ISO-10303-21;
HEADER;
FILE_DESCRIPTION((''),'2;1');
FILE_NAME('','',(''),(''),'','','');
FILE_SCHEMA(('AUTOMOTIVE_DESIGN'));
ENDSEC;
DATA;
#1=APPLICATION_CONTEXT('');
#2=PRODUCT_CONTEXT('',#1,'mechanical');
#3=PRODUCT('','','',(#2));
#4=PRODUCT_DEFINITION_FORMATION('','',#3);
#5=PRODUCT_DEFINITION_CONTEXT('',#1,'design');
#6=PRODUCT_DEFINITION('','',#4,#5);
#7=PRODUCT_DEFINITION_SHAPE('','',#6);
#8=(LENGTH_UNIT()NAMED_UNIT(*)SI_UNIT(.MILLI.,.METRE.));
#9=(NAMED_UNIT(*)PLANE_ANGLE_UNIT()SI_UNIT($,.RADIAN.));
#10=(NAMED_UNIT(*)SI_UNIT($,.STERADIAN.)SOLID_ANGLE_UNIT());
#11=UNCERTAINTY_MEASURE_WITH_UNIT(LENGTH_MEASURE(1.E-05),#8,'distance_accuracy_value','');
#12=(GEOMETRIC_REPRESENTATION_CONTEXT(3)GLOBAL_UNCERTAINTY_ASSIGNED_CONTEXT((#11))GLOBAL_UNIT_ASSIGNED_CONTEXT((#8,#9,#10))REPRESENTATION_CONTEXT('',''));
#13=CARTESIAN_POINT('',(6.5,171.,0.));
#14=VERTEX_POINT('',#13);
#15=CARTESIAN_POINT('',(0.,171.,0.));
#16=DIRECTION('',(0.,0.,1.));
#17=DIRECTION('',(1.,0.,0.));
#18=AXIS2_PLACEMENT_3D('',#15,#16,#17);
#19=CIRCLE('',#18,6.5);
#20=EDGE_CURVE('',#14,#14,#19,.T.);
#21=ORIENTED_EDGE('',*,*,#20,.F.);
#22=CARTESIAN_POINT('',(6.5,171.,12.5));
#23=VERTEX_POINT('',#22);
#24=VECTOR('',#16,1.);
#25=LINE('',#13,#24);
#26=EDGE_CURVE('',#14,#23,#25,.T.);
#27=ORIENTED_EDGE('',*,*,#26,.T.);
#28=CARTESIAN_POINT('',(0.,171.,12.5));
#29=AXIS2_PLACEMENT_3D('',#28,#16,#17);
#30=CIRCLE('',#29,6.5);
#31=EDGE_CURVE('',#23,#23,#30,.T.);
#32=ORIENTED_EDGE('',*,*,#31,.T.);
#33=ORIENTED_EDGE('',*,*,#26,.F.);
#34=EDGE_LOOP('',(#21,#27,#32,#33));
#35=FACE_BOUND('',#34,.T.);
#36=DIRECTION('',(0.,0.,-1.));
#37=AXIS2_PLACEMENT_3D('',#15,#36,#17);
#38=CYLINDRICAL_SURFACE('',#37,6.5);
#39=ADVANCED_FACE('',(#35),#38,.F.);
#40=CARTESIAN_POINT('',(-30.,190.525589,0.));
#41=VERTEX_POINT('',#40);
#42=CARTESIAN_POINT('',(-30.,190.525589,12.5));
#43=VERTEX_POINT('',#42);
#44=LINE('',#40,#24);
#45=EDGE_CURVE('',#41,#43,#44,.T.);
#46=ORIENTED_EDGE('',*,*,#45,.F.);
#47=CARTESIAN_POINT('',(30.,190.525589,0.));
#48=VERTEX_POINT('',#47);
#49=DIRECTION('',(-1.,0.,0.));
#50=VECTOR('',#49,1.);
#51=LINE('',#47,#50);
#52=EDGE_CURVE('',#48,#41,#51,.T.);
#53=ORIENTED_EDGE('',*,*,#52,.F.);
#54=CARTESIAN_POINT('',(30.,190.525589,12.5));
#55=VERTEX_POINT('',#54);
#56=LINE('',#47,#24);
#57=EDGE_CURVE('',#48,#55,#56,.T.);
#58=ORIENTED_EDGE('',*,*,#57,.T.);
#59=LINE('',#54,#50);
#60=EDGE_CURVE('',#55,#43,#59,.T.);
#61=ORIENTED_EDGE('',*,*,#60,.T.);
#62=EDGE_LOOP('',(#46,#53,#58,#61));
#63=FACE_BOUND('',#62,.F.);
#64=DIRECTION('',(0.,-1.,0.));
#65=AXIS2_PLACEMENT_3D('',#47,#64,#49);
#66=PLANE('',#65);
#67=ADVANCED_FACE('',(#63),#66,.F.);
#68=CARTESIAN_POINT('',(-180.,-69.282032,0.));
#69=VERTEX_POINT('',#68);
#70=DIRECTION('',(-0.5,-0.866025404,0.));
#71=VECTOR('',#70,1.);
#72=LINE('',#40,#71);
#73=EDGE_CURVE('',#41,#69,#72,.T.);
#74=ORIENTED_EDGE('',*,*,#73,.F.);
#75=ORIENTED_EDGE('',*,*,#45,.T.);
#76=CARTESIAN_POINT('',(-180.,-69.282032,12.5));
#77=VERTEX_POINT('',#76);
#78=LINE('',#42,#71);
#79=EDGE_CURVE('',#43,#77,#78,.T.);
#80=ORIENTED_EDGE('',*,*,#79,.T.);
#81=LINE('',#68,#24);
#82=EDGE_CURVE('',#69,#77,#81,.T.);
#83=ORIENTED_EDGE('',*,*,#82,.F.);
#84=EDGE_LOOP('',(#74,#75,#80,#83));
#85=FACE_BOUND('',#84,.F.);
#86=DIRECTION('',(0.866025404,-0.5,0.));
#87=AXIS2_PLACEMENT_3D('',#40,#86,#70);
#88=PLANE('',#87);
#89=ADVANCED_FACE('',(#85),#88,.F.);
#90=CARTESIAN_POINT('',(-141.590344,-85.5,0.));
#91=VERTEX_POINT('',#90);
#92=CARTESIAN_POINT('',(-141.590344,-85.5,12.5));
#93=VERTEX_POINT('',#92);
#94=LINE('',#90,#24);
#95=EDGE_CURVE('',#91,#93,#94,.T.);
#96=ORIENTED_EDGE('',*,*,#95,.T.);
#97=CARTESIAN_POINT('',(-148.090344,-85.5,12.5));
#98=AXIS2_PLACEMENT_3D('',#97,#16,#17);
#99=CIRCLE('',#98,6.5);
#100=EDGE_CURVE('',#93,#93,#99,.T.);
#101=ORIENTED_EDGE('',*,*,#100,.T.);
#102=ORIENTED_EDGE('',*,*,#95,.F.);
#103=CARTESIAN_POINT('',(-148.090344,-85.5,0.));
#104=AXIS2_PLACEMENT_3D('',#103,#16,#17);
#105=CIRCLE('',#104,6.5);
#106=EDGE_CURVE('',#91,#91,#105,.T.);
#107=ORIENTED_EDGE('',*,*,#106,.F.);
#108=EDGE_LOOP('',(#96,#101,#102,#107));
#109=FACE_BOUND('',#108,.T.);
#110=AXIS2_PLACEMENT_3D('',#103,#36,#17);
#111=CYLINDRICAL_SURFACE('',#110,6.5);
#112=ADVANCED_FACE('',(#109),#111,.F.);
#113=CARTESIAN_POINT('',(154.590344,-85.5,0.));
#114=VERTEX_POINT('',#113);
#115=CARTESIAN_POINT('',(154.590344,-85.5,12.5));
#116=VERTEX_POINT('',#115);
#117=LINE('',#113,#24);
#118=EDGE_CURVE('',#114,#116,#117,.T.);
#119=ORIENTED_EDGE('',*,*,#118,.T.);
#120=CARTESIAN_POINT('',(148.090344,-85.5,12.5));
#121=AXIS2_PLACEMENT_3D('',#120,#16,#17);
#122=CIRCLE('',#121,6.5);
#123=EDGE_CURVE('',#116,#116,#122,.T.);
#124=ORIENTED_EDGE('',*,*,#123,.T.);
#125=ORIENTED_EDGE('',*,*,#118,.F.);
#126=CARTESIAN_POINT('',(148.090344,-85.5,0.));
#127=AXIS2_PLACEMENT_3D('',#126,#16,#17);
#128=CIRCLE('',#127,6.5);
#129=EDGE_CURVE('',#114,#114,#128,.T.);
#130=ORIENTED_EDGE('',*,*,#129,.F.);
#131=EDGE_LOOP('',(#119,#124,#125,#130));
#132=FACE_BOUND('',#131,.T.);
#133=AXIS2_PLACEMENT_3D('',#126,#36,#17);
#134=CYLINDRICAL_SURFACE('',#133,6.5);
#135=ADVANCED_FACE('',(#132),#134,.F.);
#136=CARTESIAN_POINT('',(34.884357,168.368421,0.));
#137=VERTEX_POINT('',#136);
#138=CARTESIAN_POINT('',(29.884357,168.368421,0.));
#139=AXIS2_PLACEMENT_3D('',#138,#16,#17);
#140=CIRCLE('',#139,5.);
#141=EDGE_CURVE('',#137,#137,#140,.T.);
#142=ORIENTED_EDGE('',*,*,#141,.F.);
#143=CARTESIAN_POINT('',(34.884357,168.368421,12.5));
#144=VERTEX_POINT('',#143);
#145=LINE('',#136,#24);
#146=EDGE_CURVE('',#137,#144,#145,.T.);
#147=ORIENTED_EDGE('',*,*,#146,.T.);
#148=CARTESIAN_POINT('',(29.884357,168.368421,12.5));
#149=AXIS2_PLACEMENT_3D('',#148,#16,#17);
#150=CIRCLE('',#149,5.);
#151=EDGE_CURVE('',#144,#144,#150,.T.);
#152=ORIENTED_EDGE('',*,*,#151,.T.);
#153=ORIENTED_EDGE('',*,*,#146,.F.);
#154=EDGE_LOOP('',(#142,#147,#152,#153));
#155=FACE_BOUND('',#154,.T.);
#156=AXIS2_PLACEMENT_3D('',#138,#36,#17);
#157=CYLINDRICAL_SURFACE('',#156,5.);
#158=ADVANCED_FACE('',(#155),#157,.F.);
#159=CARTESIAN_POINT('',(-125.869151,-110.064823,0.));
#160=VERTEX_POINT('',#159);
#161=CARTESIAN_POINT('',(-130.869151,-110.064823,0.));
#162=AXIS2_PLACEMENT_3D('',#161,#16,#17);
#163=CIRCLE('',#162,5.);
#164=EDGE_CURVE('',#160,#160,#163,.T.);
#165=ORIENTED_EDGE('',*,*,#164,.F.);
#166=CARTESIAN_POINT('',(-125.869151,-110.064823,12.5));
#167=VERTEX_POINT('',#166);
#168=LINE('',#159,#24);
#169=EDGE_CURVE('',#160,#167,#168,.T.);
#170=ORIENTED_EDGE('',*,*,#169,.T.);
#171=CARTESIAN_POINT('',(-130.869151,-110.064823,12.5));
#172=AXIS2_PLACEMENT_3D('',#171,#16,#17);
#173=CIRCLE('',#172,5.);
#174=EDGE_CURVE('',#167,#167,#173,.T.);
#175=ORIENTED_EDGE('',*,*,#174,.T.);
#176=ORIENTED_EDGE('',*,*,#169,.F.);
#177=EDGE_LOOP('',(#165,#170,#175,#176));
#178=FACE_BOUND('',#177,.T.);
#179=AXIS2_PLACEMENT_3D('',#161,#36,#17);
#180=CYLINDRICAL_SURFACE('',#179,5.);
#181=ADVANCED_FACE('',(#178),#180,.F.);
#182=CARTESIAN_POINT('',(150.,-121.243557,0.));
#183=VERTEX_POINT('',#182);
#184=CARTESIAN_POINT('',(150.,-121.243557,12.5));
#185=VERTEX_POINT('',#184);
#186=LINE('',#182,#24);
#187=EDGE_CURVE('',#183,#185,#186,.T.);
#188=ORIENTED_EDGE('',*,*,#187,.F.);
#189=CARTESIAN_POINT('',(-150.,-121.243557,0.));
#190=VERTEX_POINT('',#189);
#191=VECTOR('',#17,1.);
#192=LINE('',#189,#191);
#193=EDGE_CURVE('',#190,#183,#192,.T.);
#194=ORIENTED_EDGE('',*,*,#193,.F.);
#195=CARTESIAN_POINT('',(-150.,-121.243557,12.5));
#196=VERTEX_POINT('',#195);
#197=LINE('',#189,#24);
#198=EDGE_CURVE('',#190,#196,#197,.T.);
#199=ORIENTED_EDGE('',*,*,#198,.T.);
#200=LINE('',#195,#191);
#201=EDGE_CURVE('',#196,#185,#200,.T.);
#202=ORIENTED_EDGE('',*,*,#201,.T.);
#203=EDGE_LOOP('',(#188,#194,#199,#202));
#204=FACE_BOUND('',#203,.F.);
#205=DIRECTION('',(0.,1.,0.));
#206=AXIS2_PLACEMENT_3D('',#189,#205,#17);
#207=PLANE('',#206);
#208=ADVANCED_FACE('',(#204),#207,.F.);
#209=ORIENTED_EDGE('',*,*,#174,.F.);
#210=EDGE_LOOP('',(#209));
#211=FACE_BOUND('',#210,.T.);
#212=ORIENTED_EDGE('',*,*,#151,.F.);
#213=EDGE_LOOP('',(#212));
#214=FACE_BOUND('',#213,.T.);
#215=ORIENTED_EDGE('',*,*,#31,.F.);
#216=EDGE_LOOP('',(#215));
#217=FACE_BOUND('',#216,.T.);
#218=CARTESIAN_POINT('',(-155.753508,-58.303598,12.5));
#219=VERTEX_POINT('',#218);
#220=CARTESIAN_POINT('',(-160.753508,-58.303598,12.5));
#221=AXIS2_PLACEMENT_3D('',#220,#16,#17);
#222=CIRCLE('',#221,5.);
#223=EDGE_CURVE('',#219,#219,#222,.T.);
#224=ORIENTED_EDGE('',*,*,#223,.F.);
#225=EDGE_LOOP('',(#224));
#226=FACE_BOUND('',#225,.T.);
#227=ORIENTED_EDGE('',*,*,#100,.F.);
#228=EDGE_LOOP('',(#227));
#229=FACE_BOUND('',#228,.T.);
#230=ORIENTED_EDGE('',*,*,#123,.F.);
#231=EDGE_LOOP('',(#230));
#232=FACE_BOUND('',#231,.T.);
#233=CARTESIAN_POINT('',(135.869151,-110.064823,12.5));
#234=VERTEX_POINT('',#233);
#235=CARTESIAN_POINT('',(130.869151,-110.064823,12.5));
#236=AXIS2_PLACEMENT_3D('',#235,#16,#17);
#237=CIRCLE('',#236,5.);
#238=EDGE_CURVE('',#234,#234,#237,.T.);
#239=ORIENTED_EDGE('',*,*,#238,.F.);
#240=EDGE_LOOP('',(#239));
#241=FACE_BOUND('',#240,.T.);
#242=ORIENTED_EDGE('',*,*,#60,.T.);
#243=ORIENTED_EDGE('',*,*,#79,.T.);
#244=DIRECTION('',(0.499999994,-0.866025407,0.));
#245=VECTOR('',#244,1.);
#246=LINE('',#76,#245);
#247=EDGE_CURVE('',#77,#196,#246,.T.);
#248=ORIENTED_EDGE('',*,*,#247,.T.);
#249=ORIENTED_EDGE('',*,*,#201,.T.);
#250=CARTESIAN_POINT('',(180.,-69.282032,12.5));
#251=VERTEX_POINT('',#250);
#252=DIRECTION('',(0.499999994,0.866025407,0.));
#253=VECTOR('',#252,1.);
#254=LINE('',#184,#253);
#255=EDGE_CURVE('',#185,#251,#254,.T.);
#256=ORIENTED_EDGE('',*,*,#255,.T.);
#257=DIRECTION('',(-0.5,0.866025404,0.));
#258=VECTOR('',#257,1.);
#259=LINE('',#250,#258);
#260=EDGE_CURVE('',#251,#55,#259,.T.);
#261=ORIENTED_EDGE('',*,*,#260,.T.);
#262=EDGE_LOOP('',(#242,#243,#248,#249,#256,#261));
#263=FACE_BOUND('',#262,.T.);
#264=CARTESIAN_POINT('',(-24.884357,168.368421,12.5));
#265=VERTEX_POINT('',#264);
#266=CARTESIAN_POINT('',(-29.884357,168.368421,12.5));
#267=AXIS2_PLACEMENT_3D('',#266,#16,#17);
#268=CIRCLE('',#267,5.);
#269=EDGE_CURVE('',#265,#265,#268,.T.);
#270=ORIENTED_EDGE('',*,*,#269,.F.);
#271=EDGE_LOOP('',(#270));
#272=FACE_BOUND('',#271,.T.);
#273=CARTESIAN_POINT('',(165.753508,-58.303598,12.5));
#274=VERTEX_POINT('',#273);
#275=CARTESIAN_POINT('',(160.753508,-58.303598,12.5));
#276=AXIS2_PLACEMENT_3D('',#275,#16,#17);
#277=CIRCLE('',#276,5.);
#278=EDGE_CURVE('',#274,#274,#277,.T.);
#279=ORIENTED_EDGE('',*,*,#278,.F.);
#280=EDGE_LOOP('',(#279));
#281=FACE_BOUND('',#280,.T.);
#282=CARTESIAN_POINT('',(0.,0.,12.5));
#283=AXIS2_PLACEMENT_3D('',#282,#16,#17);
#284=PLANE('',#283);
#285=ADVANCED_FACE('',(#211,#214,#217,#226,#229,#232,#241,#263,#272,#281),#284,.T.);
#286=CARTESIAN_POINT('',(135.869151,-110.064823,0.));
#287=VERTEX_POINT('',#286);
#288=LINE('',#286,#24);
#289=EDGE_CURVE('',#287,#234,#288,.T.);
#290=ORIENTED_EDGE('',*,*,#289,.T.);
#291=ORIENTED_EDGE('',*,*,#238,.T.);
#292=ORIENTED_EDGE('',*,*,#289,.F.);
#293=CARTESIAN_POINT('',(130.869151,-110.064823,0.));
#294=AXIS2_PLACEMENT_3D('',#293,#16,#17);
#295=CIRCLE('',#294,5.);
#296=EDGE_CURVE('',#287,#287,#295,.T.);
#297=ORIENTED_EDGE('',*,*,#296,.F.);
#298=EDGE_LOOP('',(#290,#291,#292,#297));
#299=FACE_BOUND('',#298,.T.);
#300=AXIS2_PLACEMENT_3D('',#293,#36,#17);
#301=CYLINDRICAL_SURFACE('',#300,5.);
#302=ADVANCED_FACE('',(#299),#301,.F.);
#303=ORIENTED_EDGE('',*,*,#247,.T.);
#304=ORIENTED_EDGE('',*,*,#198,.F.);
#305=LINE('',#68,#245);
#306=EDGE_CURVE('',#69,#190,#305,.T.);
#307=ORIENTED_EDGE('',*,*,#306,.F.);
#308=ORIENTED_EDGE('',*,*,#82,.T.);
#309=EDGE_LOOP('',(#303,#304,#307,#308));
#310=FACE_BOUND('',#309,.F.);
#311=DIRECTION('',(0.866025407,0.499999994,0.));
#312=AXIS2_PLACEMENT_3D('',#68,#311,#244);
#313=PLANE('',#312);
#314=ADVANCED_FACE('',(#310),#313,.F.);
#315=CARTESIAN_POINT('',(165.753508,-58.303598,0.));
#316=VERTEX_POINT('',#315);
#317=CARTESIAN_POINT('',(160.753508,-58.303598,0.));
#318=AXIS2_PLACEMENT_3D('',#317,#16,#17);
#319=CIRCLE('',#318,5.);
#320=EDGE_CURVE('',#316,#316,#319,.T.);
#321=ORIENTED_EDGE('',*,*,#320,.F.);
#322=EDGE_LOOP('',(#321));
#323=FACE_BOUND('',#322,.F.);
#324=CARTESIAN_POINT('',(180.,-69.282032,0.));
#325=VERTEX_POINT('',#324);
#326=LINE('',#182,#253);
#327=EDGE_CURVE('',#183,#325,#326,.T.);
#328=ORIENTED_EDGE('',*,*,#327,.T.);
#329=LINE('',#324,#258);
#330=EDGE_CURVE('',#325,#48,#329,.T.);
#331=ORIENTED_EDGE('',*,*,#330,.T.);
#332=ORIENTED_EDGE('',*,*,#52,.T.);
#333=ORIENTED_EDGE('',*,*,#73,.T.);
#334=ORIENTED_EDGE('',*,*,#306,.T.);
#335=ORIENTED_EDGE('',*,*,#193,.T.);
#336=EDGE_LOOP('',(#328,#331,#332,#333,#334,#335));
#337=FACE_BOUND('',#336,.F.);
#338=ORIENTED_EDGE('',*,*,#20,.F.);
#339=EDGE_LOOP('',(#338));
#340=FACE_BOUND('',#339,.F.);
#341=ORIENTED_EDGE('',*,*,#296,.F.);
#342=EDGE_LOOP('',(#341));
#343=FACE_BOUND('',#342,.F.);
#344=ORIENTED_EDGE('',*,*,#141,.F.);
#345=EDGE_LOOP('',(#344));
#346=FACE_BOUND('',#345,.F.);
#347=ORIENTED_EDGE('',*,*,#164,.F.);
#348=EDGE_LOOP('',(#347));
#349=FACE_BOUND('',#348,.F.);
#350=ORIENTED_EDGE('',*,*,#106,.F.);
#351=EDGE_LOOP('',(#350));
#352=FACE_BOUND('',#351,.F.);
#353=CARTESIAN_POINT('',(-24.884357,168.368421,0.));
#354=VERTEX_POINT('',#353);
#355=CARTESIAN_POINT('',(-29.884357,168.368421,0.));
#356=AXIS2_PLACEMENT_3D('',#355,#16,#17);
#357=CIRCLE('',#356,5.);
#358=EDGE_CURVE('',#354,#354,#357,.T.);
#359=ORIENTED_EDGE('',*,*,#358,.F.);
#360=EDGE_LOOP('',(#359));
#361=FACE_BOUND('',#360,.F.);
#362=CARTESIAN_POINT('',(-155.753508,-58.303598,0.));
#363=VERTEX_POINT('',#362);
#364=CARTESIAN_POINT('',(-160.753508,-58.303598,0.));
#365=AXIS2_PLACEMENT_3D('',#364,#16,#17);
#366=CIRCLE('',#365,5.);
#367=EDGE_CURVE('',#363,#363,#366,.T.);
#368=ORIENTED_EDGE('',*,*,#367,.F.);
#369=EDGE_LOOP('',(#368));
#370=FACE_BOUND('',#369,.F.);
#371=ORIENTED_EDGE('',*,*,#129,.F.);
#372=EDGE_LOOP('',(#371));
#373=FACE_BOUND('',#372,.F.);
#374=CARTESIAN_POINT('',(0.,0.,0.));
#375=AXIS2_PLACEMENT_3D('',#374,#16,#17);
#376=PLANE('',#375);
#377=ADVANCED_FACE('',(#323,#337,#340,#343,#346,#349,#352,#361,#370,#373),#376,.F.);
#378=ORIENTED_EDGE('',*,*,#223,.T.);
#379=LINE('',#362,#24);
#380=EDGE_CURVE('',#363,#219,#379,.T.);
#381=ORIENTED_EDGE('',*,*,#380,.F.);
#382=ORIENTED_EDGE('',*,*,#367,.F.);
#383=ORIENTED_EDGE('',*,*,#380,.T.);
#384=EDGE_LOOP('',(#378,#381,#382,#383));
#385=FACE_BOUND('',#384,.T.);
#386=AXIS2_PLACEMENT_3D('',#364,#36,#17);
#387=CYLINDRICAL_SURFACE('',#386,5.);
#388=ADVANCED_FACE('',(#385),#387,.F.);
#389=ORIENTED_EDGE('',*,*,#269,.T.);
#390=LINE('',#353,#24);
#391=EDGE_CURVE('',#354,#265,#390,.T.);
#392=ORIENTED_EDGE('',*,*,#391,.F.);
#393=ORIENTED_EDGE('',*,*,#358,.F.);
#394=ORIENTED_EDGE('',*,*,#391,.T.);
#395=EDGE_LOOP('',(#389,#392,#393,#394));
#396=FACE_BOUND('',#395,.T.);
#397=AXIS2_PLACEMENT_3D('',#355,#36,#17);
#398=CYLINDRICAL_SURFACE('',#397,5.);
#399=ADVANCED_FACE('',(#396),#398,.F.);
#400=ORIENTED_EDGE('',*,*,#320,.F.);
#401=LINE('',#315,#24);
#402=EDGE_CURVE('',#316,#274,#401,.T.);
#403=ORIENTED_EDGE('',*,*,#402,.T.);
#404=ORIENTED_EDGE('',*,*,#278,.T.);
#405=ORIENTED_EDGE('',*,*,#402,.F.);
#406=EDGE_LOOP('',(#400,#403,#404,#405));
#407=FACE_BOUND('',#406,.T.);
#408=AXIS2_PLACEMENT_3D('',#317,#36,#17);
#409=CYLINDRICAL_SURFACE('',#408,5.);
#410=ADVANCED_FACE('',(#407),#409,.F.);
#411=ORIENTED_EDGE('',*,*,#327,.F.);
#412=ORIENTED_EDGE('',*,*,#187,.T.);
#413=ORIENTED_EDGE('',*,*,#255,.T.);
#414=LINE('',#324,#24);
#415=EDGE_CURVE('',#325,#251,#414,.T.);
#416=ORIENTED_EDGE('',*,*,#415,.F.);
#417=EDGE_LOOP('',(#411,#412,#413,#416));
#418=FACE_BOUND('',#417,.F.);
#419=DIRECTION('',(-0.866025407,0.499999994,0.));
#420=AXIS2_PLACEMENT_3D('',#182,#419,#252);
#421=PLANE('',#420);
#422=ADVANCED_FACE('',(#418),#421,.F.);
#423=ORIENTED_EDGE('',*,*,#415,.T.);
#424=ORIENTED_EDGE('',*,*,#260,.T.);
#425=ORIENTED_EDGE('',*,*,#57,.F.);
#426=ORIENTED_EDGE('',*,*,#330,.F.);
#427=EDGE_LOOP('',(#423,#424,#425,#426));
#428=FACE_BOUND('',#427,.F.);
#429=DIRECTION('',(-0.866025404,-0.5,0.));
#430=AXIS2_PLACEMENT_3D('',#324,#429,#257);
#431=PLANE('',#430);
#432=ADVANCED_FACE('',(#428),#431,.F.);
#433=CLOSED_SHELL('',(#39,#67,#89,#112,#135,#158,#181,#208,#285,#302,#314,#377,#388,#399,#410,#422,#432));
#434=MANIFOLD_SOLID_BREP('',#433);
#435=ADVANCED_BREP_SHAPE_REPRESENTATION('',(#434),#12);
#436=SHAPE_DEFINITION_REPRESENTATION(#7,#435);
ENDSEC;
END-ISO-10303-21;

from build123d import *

# Parameters (mm, degrees)
F0_R     = 6.5
F0_R_2   = 5
F1_DEPTH = 12.5


with BuildPart() as f1:
    # F0 (on Top) → F1 (new body)
    with BuildSketch(Plane.XY):
        Polygon((-30, 190.525589), (-180, -69.282032), (-150, -121.243557), (150, -121.243557), (180, -69.282032), (30, 190.525589), align=None)
        with Locations((-148.090344, -85.5)):
            Circle(F0_R, mode=Mode.SUBTRACT)
        with Locations((-130.869151, -110.064823)):
            Circle(F0_R_2, mode=Mode.SUBTRACT)
        with Locations((-160.753508, -58.303598)):
            Circle(F0_R_2, mode=Mode.SUBTRACT)
        with Locations((130.869151, -110.064823)):
            Circle(F0_R_2, mode=Mode.SUBTRACT)
        with Locations((148.090344, -85.5)):
            Circle(F0_R, mode=Mode.SUBTRACT)
        with Locations((160.753508, -58.303598)):
            Circle(F0_R_2, mode=Mode.SUBTRACT)
        with Locations((-29.884357, 168.368421)):
            Circle(F0_R_2, mode=Mode.SUBTRACT)
        with Locations((0, 171)):
            Circle(F0_R, mode=Mode.SUBTRACT)
        with Locations((29.884357, 168.368421)):
            Circle(F0_R_2, mode=Mode.SUBTRACT)
    extrude(amount=F1_DEPTH)


solid = f1.part
